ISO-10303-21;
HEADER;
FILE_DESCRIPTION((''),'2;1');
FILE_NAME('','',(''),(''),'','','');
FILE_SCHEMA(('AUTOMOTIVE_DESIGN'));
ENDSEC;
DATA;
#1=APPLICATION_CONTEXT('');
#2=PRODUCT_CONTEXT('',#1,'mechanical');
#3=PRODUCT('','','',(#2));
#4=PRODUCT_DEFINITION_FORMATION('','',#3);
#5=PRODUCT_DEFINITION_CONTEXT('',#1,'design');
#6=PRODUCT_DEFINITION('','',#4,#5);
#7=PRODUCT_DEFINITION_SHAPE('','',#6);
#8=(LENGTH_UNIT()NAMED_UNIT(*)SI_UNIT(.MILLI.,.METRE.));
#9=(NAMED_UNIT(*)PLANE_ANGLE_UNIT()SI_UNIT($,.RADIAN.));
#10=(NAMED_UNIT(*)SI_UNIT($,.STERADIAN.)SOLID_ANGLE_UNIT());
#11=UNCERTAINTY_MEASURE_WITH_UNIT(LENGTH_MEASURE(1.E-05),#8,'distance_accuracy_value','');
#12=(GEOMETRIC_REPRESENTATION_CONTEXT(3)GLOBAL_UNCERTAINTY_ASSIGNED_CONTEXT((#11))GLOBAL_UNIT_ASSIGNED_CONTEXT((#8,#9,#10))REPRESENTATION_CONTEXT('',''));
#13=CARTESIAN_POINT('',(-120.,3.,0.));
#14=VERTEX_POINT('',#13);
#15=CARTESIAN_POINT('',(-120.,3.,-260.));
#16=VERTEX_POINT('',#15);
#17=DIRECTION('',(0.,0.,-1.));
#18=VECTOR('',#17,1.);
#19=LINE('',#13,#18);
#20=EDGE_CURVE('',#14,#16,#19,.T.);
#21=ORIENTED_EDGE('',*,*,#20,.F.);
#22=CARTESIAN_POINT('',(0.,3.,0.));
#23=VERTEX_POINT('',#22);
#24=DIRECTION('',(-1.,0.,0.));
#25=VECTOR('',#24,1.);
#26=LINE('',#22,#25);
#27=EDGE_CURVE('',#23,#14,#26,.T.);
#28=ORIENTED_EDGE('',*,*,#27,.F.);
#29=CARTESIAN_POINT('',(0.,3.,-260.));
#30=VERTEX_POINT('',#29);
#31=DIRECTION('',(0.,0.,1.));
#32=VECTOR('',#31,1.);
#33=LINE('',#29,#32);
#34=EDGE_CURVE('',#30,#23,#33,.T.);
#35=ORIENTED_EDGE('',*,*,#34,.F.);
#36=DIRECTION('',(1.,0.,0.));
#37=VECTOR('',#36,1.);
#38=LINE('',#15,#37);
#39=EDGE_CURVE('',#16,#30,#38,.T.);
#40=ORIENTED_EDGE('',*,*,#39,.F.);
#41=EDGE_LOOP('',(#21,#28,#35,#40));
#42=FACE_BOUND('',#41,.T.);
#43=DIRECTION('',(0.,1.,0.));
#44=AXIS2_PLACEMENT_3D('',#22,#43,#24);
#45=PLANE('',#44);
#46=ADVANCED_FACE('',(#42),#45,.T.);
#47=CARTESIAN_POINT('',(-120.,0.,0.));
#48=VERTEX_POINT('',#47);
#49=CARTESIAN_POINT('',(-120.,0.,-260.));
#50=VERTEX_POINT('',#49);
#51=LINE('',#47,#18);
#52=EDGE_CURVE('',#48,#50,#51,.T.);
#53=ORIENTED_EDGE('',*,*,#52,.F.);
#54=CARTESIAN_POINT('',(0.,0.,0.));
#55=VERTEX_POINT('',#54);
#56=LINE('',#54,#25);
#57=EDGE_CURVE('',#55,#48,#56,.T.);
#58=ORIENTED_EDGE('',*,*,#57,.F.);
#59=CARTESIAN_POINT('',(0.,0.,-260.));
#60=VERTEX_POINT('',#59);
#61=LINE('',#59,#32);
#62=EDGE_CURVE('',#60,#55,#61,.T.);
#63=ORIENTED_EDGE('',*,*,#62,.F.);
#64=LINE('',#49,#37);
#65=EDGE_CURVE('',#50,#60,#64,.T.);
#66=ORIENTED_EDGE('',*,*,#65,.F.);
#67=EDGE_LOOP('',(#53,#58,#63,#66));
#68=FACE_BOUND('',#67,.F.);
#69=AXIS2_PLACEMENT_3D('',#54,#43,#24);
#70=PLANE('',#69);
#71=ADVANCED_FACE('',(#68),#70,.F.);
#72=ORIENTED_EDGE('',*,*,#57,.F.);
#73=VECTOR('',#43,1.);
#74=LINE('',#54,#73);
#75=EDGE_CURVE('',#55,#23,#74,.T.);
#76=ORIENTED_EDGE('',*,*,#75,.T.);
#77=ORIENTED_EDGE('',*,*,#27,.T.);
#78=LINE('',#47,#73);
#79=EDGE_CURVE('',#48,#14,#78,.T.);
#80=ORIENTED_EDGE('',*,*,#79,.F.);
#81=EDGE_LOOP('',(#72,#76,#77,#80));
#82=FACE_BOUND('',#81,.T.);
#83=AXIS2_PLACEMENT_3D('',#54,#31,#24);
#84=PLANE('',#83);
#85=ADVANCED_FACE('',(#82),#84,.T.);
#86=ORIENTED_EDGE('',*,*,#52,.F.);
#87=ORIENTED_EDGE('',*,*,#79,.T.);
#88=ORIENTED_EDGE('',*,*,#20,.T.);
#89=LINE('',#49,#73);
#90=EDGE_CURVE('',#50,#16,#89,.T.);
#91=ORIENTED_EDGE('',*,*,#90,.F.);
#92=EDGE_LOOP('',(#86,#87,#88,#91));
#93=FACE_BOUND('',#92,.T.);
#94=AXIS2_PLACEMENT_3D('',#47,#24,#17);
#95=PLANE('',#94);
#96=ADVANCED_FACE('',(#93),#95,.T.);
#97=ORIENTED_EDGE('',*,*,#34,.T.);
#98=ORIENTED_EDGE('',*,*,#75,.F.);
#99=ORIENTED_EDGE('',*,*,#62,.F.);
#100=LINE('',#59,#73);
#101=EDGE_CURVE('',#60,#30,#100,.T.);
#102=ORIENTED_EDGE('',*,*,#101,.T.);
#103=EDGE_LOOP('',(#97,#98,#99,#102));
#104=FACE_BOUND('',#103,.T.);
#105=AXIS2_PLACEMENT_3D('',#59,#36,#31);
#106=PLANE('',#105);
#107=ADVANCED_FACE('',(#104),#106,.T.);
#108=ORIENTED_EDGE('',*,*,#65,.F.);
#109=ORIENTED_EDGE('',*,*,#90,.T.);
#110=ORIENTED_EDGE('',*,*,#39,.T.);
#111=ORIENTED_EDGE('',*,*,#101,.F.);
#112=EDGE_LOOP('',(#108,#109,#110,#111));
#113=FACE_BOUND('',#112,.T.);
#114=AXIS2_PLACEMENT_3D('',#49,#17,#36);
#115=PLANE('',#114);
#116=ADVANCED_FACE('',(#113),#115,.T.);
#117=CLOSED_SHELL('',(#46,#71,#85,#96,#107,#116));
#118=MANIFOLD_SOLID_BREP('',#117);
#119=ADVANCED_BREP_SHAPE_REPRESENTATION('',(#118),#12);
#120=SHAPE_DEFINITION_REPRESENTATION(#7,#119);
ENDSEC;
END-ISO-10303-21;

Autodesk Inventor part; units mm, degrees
ref_plane "YZ Plane" through (0, 0, 0) normal (1, 0, 0) x (0, 1, 0)
ref_plane "XZ Plane" through (0, 0, 0) normal (0, 1, 0) x (-1, 0, 0)
ref_plane "XY Plane" through (0, 0, 0) normal (0, 0, 1) x (1, 0, 0)
sketch "Sketch1" plane through (0, 0, 0) normal (0, 1, 0) x (-1, 0, 0)
  line L0 (0, 0) -> (120, 0)
  line L1 (120, 0) -> (120, -260)
  line L2 (120, -260) -> (0, -260)
  line L3 (0, -260) -> (0, 0)
  dimension "d0" = 120
  dimension "d1" = 260
extrude "Extrusion1" add sketch "Sketch1" along normal blind 3
properties part number "Atas Pintu"
